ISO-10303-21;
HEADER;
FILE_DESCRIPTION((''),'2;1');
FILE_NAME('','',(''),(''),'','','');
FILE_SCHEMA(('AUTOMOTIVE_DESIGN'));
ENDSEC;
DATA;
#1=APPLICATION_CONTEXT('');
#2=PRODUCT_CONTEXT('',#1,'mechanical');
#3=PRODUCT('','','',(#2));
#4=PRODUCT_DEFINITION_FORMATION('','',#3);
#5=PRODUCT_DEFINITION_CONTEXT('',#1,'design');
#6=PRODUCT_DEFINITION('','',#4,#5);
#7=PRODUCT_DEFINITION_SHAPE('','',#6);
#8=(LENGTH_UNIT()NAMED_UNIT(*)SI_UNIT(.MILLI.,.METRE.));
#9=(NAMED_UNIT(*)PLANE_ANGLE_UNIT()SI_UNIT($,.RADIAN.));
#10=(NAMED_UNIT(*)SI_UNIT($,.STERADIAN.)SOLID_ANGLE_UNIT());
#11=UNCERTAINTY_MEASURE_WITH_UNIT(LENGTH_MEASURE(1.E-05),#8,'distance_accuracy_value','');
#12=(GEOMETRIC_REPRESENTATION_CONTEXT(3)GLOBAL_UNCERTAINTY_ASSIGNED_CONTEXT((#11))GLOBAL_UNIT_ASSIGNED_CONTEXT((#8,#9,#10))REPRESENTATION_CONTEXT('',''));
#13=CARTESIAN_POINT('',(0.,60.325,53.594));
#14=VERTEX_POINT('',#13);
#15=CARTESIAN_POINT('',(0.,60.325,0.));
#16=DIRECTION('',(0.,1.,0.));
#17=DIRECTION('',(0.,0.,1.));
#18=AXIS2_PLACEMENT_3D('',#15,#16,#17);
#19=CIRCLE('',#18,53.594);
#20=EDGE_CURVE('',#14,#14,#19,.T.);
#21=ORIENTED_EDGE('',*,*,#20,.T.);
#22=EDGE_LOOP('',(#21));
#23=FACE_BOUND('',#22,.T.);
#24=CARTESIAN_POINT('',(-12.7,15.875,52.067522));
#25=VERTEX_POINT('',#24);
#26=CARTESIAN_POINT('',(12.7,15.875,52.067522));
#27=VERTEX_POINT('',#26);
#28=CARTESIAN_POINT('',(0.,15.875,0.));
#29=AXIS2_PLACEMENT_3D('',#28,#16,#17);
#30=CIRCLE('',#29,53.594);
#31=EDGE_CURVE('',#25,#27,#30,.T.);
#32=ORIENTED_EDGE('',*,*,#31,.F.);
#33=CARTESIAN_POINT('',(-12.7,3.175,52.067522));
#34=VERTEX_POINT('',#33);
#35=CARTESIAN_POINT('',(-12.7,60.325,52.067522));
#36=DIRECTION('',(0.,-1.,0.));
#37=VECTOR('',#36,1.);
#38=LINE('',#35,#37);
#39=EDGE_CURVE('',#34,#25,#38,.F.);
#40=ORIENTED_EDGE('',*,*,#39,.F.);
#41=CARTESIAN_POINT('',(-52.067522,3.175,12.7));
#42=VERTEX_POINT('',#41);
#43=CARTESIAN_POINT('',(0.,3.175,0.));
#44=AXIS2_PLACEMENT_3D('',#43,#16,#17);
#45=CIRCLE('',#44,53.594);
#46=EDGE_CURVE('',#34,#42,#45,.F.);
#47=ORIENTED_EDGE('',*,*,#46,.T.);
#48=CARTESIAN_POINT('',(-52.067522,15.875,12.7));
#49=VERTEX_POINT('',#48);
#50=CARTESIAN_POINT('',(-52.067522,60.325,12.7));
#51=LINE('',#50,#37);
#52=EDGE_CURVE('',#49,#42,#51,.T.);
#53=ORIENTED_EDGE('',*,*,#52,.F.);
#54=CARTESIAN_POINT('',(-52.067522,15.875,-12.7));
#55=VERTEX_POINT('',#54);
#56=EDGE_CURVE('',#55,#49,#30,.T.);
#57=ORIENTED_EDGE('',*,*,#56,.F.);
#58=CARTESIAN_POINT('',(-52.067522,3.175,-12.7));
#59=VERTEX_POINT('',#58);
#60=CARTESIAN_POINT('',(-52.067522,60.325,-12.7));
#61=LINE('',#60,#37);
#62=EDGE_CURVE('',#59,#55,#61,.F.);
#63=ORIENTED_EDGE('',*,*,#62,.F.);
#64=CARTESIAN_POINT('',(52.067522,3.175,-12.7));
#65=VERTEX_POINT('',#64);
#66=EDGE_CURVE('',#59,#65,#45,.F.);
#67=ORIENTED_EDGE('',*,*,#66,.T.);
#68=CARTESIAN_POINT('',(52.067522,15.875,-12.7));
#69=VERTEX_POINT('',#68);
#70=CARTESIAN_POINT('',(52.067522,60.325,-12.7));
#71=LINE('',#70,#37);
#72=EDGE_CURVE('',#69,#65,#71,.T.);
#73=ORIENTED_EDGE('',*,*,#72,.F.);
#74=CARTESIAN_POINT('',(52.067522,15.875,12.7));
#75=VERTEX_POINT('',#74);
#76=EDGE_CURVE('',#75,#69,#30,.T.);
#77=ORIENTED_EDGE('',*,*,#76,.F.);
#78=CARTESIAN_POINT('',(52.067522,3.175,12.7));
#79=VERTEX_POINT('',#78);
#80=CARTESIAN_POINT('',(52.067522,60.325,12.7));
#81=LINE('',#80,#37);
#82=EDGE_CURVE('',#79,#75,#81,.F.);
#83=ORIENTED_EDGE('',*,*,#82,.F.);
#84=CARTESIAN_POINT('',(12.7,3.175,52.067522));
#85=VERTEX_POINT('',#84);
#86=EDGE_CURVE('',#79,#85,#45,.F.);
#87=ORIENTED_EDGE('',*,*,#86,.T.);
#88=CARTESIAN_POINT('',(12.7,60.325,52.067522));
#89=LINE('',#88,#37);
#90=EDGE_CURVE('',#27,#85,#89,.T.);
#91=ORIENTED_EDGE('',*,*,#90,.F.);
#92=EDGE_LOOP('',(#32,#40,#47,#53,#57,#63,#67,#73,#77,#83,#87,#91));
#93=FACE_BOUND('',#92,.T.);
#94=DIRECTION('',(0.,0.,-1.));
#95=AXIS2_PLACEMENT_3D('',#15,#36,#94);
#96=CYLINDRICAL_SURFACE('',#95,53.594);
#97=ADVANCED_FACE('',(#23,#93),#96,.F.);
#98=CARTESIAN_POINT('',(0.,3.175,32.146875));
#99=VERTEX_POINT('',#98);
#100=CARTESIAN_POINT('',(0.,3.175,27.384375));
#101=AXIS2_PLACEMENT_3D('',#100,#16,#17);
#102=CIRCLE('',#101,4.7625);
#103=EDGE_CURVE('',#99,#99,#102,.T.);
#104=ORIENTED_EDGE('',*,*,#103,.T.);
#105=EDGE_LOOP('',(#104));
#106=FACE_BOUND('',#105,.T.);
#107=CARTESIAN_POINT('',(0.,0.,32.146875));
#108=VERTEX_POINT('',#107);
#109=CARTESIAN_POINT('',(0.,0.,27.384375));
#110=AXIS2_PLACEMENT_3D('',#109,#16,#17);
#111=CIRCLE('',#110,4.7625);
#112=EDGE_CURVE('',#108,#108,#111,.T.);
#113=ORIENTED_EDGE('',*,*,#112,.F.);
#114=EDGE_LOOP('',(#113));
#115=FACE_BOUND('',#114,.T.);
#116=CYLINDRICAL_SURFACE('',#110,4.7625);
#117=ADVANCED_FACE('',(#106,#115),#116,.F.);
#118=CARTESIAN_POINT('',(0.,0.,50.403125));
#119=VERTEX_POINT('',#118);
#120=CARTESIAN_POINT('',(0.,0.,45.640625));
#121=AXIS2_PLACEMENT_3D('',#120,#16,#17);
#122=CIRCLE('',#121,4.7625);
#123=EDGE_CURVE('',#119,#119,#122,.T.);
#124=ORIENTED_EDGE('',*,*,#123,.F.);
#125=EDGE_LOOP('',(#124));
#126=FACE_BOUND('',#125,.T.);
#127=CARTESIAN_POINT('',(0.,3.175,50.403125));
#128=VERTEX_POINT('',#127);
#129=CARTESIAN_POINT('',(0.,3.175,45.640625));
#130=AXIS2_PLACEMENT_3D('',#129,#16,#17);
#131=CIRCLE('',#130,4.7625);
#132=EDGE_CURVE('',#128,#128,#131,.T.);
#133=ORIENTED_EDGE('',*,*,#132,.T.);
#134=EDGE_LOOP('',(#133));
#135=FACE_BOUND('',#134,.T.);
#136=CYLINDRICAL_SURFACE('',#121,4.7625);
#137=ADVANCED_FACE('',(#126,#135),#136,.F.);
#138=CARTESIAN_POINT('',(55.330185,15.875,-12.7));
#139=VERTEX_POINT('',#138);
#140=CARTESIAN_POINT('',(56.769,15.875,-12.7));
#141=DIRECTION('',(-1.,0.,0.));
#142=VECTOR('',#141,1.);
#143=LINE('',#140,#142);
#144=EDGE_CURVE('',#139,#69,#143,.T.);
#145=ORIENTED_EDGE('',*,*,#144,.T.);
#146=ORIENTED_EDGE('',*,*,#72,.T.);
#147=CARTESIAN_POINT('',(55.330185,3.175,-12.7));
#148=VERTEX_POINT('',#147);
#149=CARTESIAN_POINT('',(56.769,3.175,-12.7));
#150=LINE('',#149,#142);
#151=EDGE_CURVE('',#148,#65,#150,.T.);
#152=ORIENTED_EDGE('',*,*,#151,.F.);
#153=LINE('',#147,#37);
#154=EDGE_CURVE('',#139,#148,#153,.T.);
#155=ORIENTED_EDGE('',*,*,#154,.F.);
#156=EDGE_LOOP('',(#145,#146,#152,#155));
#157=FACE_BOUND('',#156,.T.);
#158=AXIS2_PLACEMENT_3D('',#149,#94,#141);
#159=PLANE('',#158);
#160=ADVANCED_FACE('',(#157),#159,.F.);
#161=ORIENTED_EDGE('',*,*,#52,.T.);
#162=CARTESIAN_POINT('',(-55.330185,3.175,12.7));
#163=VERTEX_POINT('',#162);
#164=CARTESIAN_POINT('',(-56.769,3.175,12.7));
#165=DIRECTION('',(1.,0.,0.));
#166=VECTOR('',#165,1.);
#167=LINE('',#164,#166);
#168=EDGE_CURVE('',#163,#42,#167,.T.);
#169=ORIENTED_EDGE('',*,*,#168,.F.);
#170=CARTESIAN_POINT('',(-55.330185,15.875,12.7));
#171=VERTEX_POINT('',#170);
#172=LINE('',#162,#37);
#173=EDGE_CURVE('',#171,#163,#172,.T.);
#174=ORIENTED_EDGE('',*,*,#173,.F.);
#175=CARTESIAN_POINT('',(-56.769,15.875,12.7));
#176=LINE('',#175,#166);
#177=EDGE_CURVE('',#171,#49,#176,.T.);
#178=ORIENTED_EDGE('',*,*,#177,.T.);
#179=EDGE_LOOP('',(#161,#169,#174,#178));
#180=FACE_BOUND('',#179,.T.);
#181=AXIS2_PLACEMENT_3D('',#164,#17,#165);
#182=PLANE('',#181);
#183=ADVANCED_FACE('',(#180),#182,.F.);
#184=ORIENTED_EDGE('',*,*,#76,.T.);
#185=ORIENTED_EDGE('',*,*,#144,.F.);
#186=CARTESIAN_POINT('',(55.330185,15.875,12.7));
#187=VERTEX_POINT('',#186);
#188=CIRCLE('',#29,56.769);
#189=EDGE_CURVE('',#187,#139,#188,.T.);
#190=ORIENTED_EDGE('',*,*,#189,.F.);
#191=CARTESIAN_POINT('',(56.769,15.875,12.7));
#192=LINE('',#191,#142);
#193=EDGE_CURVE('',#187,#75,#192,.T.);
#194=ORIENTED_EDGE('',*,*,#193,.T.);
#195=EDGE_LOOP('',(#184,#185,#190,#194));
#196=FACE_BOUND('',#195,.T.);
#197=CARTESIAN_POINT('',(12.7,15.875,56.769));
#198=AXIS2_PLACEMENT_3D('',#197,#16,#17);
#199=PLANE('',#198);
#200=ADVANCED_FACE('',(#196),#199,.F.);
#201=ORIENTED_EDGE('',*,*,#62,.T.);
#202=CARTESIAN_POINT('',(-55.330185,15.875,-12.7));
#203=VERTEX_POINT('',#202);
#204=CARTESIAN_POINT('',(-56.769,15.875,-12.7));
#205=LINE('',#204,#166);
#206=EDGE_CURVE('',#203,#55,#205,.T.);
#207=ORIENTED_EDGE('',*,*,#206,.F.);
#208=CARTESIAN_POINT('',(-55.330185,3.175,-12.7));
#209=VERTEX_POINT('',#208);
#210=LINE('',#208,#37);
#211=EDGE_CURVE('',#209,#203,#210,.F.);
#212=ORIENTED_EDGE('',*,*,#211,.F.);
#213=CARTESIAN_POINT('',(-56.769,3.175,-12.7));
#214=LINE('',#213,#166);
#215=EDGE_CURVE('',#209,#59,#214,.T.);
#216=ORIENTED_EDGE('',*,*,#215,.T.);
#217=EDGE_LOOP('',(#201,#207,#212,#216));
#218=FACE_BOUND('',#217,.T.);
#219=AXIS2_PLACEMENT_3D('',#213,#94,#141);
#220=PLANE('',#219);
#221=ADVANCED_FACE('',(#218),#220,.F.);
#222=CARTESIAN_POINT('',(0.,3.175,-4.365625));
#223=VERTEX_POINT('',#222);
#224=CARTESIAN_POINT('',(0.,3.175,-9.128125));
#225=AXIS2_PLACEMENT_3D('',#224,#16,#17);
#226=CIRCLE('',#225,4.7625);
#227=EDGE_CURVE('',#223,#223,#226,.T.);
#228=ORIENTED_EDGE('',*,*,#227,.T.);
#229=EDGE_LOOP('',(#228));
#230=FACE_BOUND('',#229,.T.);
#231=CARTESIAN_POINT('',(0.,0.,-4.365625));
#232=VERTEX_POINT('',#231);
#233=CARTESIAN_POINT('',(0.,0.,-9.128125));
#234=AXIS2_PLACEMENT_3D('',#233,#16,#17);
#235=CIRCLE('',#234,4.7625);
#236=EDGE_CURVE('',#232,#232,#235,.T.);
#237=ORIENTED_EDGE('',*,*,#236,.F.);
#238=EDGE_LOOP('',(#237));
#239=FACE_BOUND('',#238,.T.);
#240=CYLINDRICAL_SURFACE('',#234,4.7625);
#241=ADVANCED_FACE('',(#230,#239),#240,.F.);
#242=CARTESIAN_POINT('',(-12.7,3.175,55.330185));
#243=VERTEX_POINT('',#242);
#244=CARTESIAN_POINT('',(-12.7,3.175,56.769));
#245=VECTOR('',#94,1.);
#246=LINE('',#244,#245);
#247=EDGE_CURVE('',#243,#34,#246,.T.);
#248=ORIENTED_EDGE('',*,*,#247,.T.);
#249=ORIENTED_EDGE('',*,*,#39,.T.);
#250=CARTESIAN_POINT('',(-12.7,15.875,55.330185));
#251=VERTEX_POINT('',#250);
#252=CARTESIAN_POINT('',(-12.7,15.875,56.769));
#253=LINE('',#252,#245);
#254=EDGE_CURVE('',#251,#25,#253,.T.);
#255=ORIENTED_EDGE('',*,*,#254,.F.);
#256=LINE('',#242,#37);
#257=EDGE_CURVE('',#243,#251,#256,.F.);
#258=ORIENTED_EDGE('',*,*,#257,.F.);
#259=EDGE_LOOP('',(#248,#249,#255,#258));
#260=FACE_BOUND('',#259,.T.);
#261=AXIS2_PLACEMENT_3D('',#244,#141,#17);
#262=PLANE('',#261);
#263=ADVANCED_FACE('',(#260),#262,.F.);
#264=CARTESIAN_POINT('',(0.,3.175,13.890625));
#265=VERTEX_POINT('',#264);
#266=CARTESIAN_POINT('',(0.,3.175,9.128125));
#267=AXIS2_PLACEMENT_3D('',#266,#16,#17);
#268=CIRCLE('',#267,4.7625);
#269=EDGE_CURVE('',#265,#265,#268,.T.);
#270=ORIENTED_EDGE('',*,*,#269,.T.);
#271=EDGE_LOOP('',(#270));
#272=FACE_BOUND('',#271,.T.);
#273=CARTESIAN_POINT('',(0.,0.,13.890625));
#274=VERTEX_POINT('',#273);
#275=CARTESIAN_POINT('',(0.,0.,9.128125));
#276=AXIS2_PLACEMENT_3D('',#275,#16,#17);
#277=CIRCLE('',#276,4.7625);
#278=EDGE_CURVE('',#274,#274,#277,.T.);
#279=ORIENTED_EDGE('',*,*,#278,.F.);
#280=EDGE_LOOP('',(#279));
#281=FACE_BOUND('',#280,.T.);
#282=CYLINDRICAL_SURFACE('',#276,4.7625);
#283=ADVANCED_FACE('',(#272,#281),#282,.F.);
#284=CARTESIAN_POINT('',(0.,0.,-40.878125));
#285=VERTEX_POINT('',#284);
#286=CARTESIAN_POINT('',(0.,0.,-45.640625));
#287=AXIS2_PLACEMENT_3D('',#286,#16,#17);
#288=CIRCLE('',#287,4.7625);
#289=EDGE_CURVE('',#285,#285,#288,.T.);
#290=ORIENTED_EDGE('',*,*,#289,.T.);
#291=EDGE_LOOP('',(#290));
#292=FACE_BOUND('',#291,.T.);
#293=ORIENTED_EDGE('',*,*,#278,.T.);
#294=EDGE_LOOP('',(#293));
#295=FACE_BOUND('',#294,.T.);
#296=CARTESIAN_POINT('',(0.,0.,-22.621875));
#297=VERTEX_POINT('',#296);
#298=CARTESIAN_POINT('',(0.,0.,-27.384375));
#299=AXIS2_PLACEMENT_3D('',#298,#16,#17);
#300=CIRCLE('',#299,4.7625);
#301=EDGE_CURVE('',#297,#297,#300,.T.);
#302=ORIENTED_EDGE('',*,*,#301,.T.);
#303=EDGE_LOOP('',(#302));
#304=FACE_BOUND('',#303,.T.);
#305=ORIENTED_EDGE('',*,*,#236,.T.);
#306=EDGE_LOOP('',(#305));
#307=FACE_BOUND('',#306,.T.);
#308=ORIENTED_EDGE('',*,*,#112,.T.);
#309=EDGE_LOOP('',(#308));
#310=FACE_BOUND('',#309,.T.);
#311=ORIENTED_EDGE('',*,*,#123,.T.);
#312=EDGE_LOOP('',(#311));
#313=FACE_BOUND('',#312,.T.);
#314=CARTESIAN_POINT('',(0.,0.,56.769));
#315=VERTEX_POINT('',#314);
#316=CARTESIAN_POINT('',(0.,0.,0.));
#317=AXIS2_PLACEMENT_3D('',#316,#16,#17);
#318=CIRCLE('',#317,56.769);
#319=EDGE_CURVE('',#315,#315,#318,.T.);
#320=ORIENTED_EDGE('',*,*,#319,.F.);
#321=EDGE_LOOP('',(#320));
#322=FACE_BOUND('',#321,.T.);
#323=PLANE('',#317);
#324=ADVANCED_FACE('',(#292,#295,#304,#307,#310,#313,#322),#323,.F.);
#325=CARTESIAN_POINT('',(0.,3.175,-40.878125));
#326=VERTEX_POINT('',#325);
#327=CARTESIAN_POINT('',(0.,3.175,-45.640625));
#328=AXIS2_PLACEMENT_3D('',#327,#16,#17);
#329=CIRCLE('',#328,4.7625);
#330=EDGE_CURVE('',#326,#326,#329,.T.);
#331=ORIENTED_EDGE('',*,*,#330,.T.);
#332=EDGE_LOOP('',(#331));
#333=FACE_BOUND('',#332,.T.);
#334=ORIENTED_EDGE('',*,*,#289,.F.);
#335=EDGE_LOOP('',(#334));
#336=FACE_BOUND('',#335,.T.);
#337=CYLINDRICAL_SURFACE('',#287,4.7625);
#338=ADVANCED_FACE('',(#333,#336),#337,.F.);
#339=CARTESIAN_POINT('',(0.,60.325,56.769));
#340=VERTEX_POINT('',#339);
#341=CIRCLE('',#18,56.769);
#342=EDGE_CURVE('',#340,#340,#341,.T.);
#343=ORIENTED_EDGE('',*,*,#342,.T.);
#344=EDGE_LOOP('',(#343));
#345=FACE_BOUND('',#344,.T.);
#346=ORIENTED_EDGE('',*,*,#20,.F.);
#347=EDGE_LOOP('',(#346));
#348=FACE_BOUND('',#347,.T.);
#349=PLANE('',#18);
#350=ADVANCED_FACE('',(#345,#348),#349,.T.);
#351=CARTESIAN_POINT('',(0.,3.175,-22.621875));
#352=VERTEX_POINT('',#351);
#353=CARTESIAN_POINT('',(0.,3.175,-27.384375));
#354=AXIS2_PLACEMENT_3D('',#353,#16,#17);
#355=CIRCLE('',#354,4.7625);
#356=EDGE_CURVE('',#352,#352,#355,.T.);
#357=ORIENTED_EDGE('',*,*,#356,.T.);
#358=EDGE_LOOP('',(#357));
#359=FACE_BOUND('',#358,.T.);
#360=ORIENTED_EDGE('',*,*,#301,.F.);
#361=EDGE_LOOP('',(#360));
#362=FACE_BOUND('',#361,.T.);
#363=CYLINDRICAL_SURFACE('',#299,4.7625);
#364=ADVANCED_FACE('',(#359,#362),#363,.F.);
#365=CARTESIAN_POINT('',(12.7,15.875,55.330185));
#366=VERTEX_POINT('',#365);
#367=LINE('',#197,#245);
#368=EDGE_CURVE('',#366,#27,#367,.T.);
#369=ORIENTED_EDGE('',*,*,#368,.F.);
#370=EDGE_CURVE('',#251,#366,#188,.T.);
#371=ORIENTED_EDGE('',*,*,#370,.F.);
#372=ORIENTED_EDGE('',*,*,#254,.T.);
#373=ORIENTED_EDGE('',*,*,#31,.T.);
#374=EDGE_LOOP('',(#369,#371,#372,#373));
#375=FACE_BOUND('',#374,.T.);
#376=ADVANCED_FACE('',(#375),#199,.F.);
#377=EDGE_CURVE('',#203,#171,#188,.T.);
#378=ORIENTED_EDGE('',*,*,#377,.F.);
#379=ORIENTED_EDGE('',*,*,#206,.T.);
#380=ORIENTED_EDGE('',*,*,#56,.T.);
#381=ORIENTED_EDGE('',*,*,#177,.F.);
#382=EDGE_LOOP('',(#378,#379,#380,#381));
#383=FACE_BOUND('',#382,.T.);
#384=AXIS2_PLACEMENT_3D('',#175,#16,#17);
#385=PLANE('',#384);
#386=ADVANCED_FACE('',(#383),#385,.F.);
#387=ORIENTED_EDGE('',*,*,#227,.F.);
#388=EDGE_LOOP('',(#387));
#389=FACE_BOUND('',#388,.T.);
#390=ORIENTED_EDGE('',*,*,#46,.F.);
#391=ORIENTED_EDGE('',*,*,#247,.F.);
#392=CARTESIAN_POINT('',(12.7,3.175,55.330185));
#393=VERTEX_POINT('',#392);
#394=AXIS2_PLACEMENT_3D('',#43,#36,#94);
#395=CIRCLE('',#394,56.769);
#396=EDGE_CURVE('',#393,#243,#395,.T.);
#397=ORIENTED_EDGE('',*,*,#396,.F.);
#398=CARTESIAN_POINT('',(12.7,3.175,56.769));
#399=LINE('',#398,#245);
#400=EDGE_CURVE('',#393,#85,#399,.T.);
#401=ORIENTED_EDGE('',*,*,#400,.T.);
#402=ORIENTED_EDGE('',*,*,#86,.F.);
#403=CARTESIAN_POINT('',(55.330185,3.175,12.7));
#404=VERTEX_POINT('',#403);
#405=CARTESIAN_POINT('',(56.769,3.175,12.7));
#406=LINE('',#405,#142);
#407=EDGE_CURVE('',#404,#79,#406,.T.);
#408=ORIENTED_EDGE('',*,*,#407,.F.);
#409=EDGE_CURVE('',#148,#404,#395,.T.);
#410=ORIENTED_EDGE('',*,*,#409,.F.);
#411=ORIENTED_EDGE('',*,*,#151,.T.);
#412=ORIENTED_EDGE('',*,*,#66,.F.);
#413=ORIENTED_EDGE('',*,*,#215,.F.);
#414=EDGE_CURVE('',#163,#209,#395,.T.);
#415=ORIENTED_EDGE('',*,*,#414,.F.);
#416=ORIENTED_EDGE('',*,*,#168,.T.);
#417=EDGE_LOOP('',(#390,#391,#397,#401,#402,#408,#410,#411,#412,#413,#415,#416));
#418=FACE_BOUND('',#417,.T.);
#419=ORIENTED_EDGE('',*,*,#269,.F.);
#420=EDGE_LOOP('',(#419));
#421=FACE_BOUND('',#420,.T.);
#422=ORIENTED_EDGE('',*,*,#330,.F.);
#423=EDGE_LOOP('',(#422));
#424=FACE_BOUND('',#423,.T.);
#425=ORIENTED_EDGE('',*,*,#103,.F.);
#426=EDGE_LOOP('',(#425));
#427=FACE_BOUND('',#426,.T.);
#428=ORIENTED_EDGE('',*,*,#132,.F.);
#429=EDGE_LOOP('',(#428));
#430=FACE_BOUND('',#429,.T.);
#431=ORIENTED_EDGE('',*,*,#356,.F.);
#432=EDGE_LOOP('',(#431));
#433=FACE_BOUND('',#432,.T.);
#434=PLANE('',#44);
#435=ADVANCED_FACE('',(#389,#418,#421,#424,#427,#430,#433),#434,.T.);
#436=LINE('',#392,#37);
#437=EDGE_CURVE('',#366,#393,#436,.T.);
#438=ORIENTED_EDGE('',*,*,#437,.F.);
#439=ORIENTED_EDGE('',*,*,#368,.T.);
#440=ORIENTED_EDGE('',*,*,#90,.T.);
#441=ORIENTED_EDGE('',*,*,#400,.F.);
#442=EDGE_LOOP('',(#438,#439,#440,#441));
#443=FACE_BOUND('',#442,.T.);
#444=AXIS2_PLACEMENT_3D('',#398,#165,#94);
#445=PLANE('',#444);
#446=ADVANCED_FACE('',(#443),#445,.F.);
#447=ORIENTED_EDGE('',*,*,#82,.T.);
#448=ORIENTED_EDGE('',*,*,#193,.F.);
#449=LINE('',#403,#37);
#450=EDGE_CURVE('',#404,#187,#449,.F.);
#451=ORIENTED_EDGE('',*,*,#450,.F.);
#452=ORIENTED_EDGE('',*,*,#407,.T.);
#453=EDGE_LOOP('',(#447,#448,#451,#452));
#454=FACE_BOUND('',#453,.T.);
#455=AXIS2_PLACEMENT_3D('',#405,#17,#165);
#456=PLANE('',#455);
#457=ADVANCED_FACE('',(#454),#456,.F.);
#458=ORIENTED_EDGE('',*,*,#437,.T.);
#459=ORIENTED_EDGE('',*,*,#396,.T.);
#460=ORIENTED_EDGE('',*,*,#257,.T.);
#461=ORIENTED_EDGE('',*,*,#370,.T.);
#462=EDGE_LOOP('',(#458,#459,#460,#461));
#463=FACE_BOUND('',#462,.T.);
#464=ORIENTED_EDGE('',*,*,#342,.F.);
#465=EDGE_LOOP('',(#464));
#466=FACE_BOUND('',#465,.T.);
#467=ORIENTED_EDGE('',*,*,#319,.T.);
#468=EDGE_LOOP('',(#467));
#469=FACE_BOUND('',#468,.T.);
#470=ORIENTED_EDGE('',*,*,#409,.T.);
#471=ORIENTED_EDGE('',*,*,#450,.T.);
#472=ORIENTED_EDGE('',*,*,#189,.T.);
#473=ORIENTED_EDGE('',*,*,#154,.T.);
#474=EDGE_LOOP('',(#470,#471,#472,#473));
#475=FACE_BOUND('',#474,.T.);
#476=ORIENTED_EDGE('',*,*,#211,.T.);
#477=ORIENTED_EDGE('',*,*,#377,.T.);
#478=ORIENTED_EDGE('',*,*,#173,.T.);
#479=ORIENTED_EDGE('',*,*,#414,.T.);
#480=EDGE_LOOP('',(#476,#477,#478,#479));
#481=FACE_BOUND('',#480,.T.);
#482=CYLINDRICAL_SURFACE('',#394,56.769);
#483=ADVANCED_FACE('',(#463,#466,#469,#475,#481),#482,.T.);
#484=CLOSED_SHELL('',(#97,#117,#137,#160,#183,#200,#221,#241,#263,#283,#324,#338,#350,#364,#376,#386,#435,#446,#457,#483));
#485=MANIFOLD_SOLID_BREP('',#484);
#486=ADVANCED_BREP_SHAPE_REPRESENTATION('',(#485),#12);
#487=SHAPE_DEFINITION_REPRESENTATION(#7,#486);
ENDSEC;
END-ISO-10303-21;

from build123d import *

# Parameters (mm, degrees)
SKETCH1_R           = 56.769
BOSS_EXTRUDE1_DEPTH = 3.175
SKETCH2_R           = 56.769
SKETCH2_R_2         = 53.594
BOSS_EXTRUDE2_DEPTH = 57.15
SKETCH3_W           = 25.4
SKETCH3_H           = 12.7
CUT_EXTRUDE1_DEPTH  = 101.421832024
CIRPATTERN1_COUNT   = 3
CIRPATTERN1_ANGLE   = 180
SKETCH4_R           = 4.7625
CUT_EXTRUDE2_DEPTH  = 99.547253752


with BuildPart() as part:
    # Sketch1 → Boss-Extrude1 (new body)
    with BuildSketch(Plane(origin=(0, 0, 0), x_dir=(1, 0, 0), z_dir=(0, 1, 0))):
        with Locations(Location((0, 0, 0), (0, 0, 270))):
            Circle(SKETCH1_R)
    extrude(amount=BOSS_EXTRUDE1_DEPTH)

    # Sketch2 → Boss-Extrude2 (add)
    with BuildSketch(Plane(origin=(0, 3.175, 0), x_dir=(1, 0, 0), z_dir=(0, 1, 0))):
        with Locations(Location((0, 0, 0), (0, 0, 270))):
            Circle(SKETCH2_R)
        with Locations(Location((0, 0, 0), (0, 0, 270))):
            Circle(SKETCH2_R_2, mode=Mode.SUBTRACT)
    extrude(amount=BOSS_EXTRUDE2_DEPTH)

    # Sketch3 → Cut-Extrude1 (cut, through all)
    with BuildSketch(Plane(origin=(0, 0, 0), x_dir=(0, 0, -1), z_dir=(1, 0, 0))):
        with Locations((0, 9.525)):
            Rectangle(SKETCH3_W, SKETCH3_H)
    cut_extrude1 = extrude(amount=-CUT_EXTRUDE1_DEPTH, mode=Mode.SUBTRACT)

    # CirPattern1: Cut-Extrude1 ×3 about axis
    cirpattern1_axis = Axis((0, 0, 0), (0, 1, 0))
    for i in range(1, CIRPATTERN1_COUNT):
        add(cut_extrude1.rotate(cirpattern1_axis, i * CIRPATTERN1_ANGLE / (CIRPATTERN1_COUNT - 1)), mode=Mode.SUBTRACT)

    # Sketch4 → Cut-Extrude2 (cut, through all)
    with BuildSketch(Plane(origin=(0, 3.175, 0), x_dir=(1, 0, 0), z_dir=(0, 1, 0))):
        with Locations(Location((0, 45.640625, 0), (0, 0, 270))):
            Circle(SKETCH4_R)
        with Locations(Location((0, 27.384375, 0), (0, 0, 270))):
            Circle(SKETCH4_R)
        with Locations(Location((0, 9.128125, 0), (0, 0, 270))):
            Circle(SKETCH4_R)
        with Locations(Location((0, -9.128125, 0), (0, 0, 270))):
            Circle(SKETCH4_R)
        with Locations(Location((0, -27.384375, 0), (0, 0, 270))):
            Circle(SKETCH4_R)
        with Locations(Location((0, -45.640625, 0), (0, 0, 270))):
            Circle(SKETCH4_R)
    extrude(amount=-CUT_EXTRUDE2_DEPTH, mode=Mode.SUBTRACT)


solid = part.part
